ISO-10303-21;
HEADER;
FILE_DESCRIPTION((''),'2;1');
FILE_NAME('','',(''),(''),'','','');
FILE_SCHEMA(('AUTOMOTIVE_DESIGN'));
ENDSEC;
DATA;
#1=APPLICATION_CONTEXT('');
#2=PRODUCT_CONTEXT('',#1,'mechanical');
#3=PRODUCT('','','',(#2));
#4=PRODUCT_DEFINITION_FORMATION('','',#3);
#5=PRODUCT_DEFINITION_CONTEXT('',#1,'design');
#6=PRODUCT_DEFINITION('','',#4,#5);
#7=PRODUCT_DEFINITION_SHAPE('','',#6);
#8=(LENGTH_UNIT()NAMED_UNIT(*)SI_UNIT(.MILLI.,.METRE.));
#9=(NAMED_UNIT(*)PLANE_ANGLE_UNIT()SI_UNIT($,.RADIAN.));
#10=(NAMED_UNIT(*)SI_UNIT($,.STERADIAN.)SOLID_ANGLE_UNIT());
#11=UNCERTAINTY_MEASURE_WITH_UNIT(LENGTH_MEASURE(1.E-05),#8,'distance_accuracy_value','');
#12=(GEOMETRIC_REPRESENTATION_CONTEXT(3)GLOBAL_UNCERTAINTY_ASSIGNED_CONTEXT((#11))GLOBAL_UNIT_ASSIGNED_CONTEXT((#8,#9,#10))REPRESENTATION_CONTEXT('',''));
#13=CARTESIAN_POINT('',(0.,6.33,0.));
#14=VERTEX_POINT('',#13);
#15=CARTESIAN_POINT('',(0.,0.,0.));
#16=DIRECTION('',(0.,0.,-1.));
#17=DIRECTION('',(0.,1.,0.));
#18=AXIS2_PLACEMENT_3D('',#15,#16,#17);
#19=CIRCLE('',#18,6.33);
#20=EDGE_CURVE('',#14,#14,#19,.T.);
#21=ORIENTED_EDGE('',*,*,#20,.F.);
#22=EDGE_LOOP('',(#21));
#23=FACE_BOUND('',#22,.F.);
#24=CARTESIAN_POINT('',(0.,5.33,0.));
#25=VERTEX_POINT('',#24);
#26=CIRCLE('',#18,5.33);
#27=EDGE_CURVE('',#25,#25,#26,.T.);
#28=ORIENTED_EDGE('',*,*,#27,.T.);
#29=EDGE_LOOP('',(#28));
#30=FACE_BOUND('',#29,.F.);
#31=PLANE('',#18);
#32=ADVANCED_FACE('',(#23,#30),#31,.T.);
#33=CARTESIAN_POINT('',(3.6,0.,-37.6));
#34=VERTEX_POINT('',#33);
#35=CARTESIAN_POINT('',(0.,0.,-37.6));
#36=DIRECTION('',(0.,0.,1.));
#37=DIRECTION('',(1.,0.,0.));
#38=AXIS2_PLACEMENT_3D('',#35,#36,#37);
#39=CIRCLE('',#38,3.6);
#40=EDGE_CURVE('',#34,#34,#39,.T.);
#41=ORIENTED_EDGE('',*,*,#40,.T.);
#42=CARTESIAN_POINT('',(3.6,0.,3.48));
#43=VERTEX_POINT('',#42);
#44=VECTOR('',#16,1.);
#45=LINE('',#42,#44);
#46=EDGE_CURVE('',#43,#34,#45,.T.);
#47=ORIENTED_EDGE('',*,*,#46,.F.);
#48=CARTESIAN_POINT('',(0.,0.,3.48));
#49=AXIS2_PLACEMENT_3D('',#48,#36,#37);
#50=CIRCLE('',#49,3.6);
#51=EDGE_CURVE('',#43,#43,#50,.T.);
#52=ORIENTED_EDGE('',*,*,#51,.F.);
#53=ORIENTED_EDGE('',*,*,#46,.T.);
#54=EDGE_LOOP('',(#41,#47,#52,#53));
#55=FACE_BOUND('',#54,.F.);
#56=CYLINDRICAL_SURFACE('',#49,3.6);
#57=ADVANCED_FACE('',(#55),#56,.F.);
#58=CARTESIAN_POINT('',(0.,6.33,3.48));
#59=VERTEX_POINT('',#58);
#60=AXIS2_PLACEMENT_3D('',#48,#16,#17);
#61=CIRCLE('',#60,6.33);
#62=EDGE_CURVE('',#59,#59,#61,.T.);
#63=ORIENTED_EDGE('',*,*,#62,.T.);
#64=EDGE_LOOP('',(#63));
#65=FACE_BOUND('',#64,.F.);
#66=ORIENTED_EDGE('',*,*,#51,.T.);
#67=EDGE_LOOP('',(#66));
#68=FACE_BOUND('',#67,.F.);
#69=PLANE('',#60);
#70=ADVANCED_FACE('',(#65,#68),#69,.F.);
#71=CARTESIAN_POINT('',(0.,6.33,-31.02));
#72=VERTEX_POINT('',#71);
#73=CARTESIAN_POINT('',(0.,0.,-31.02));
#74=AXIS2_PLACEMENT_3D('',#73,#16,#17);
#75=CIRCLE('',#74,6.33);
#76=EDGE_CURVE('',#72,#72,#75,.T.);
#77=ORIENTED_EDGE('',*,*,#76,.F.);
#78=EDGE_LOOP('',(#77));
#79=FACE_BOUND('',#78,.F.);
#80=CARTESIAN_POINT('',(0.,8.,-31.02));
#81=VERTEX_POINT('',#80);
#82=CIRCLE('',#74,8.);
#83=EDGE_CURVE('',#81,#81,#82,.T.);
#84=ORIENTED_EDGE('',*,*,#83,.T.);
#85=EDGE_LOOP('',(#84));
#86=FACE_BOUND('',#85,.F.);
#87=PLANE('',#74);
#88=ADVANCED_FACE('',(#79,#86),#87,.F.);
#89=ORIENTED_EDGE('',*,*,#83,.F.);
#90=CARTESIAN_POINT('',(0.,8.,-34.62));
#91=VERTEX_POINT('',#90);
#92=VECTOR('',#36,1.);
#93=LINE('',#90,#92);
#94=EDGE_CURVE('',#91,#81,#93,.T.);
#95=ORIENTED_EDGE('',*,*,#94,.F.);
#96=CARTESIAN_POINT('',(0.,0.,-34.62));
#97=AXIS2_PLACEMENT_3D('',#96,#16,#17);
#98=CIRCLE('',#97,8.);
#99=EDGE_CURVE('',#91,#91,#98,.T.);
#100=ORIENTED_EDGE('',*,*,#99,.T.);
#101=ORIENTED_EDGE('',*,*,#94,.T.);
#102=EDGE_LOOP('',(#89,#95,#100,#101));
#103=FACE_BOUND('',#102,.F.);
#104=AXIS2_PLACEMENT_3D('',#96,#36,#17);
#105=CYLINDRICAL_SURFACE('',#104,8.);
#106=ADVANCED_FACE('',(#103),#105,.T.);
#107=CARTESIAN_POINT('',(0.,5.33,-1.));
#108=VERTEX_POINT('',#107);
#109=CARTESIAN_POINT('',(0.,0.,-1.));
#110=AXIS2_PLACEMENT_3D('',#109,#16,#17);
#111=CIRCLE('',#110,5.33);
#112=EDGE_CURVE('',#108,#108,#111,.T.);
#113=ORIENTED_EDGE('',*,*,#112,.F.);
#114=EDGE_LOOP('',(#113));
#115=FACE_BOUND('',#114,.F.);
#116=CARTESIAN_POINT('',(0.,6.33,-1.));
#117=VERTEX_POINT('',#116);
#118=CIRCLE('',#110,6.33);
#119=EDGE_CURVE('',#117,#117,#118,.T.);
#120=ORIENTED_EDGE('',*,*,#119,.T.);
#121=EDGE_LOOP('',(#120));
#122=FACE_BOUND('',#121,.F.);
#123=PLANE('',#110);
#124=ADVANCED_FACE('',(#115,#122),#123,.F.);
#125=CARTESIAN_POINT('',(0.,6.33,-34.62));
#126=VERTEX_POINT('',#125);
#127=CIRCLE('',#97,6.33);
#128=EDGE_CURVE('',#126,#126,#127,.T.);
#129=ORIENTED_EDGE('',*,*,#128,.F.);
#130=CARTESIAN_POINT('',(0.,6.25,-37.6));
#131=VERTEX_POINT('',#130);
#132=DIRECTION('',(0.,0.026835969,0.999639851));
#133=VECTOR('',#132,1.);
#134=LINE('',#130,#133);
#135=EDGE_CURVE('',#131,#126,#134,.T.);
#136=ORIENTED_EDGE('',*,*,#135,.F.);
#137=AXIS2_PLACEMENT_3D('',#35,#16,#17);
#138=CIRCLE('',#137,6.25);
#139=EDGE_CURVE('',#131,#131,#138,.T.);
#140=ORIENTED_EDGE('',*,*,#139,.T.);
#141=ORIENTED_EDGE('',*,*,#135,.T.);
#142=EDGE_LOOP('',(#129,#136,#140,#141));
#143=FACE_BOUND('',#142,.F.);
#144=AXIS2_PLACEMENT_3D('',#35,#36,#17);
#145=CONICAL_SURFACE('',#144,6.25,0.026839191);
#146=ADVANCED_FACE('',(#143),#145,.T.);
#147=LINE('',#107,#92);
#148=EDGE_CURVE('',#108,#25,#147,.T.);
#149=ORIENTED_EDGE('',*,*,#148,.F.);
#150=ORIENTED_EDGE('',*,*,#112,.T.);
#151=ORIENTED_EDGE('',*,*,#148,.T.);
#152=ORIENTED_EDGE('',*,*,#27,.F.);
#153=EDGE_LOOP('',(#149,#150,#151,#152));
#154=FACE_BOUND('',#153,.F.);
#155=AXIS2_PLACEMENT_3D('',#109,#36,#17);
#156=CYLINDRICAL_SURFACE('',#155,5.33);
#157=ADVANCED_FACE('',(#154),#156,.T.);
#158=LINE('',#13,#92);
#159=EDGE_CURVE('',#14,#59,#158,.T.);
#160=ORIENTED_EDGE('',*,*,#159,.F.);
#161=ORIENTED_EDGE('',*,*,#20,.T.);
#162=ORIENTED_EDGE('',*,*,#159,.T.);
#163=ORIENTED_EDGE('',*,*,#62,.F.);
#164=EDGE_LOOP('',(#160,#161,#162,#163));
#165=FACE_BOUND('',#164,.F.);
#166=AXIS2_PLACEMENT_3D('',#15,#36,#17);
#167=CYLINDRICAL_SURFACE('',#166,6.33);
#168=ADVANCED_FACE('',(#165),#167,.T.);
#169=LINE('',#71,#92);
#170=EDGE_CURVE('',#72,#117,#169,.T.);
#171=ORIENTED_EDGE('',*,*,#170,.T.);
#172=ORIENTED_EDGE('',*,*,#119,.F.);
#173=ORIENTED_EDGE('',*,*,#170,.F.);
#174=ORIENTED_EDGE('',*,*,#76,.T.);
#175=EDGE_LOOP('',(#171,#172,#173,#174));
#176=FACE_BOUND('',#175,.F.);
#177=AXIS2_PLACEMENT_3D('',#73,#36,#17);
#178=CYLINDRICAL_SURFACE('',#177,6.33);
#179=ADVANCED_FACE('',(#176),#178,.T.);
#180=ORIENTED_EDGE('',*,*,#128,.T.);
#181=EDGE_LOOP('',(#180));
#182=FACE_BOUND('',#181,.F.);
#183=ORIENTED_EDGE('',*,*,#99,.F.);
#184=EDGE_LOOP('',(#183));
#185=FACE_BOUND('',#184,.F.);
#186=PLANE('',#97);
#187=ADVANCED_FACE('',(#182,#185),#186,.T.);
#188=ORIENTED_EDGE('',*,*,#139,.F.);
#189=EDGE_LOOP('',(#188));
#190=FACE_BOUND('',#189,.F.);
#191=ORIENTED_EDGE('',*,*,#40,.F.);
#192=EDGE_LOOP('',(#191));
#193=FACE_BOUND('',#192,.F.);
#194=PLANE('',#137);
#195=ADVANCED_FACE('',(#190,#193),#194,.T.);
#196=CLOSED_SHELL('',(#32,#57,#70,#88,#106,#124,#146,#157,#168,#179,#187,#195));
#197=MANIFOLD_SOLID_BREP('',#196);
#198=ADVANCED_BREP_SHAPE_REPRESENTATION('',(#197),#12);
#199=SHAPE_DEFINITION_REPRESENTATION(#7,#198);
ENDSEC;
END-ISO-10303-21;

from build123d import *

# Parameters (mm, degrees)
F2_R     = 3.6
F3_DEPTH = 41.081


with BuildPart() as f1:
    # F0 (on Right) → F1 (revolve)
    with BuildSketch(Plane.YZ):
        Polygon((6.33, 3.48), (0, 3.48), (0, -37.6), (6.25, -37.6), (6.33, -34.62), (8, -34.62), (8, -31.02), (6.33, -31.02), (6.33, -1), (5.33, -1), (5.33, 0), (6.33, 0), align=None)
    revolve(axis=Axis((0, 0, -17.06), (0, 0, -1)))

    # F2 (on face) → F3 (cut, through all)
    with BuildSketch(Plane.XY.offset(3.48)):
        Circle(F2_R)
    extrude(amount=-F3_DEPTH, mode=Mode.SUBTRACT)


solid = f1.part
